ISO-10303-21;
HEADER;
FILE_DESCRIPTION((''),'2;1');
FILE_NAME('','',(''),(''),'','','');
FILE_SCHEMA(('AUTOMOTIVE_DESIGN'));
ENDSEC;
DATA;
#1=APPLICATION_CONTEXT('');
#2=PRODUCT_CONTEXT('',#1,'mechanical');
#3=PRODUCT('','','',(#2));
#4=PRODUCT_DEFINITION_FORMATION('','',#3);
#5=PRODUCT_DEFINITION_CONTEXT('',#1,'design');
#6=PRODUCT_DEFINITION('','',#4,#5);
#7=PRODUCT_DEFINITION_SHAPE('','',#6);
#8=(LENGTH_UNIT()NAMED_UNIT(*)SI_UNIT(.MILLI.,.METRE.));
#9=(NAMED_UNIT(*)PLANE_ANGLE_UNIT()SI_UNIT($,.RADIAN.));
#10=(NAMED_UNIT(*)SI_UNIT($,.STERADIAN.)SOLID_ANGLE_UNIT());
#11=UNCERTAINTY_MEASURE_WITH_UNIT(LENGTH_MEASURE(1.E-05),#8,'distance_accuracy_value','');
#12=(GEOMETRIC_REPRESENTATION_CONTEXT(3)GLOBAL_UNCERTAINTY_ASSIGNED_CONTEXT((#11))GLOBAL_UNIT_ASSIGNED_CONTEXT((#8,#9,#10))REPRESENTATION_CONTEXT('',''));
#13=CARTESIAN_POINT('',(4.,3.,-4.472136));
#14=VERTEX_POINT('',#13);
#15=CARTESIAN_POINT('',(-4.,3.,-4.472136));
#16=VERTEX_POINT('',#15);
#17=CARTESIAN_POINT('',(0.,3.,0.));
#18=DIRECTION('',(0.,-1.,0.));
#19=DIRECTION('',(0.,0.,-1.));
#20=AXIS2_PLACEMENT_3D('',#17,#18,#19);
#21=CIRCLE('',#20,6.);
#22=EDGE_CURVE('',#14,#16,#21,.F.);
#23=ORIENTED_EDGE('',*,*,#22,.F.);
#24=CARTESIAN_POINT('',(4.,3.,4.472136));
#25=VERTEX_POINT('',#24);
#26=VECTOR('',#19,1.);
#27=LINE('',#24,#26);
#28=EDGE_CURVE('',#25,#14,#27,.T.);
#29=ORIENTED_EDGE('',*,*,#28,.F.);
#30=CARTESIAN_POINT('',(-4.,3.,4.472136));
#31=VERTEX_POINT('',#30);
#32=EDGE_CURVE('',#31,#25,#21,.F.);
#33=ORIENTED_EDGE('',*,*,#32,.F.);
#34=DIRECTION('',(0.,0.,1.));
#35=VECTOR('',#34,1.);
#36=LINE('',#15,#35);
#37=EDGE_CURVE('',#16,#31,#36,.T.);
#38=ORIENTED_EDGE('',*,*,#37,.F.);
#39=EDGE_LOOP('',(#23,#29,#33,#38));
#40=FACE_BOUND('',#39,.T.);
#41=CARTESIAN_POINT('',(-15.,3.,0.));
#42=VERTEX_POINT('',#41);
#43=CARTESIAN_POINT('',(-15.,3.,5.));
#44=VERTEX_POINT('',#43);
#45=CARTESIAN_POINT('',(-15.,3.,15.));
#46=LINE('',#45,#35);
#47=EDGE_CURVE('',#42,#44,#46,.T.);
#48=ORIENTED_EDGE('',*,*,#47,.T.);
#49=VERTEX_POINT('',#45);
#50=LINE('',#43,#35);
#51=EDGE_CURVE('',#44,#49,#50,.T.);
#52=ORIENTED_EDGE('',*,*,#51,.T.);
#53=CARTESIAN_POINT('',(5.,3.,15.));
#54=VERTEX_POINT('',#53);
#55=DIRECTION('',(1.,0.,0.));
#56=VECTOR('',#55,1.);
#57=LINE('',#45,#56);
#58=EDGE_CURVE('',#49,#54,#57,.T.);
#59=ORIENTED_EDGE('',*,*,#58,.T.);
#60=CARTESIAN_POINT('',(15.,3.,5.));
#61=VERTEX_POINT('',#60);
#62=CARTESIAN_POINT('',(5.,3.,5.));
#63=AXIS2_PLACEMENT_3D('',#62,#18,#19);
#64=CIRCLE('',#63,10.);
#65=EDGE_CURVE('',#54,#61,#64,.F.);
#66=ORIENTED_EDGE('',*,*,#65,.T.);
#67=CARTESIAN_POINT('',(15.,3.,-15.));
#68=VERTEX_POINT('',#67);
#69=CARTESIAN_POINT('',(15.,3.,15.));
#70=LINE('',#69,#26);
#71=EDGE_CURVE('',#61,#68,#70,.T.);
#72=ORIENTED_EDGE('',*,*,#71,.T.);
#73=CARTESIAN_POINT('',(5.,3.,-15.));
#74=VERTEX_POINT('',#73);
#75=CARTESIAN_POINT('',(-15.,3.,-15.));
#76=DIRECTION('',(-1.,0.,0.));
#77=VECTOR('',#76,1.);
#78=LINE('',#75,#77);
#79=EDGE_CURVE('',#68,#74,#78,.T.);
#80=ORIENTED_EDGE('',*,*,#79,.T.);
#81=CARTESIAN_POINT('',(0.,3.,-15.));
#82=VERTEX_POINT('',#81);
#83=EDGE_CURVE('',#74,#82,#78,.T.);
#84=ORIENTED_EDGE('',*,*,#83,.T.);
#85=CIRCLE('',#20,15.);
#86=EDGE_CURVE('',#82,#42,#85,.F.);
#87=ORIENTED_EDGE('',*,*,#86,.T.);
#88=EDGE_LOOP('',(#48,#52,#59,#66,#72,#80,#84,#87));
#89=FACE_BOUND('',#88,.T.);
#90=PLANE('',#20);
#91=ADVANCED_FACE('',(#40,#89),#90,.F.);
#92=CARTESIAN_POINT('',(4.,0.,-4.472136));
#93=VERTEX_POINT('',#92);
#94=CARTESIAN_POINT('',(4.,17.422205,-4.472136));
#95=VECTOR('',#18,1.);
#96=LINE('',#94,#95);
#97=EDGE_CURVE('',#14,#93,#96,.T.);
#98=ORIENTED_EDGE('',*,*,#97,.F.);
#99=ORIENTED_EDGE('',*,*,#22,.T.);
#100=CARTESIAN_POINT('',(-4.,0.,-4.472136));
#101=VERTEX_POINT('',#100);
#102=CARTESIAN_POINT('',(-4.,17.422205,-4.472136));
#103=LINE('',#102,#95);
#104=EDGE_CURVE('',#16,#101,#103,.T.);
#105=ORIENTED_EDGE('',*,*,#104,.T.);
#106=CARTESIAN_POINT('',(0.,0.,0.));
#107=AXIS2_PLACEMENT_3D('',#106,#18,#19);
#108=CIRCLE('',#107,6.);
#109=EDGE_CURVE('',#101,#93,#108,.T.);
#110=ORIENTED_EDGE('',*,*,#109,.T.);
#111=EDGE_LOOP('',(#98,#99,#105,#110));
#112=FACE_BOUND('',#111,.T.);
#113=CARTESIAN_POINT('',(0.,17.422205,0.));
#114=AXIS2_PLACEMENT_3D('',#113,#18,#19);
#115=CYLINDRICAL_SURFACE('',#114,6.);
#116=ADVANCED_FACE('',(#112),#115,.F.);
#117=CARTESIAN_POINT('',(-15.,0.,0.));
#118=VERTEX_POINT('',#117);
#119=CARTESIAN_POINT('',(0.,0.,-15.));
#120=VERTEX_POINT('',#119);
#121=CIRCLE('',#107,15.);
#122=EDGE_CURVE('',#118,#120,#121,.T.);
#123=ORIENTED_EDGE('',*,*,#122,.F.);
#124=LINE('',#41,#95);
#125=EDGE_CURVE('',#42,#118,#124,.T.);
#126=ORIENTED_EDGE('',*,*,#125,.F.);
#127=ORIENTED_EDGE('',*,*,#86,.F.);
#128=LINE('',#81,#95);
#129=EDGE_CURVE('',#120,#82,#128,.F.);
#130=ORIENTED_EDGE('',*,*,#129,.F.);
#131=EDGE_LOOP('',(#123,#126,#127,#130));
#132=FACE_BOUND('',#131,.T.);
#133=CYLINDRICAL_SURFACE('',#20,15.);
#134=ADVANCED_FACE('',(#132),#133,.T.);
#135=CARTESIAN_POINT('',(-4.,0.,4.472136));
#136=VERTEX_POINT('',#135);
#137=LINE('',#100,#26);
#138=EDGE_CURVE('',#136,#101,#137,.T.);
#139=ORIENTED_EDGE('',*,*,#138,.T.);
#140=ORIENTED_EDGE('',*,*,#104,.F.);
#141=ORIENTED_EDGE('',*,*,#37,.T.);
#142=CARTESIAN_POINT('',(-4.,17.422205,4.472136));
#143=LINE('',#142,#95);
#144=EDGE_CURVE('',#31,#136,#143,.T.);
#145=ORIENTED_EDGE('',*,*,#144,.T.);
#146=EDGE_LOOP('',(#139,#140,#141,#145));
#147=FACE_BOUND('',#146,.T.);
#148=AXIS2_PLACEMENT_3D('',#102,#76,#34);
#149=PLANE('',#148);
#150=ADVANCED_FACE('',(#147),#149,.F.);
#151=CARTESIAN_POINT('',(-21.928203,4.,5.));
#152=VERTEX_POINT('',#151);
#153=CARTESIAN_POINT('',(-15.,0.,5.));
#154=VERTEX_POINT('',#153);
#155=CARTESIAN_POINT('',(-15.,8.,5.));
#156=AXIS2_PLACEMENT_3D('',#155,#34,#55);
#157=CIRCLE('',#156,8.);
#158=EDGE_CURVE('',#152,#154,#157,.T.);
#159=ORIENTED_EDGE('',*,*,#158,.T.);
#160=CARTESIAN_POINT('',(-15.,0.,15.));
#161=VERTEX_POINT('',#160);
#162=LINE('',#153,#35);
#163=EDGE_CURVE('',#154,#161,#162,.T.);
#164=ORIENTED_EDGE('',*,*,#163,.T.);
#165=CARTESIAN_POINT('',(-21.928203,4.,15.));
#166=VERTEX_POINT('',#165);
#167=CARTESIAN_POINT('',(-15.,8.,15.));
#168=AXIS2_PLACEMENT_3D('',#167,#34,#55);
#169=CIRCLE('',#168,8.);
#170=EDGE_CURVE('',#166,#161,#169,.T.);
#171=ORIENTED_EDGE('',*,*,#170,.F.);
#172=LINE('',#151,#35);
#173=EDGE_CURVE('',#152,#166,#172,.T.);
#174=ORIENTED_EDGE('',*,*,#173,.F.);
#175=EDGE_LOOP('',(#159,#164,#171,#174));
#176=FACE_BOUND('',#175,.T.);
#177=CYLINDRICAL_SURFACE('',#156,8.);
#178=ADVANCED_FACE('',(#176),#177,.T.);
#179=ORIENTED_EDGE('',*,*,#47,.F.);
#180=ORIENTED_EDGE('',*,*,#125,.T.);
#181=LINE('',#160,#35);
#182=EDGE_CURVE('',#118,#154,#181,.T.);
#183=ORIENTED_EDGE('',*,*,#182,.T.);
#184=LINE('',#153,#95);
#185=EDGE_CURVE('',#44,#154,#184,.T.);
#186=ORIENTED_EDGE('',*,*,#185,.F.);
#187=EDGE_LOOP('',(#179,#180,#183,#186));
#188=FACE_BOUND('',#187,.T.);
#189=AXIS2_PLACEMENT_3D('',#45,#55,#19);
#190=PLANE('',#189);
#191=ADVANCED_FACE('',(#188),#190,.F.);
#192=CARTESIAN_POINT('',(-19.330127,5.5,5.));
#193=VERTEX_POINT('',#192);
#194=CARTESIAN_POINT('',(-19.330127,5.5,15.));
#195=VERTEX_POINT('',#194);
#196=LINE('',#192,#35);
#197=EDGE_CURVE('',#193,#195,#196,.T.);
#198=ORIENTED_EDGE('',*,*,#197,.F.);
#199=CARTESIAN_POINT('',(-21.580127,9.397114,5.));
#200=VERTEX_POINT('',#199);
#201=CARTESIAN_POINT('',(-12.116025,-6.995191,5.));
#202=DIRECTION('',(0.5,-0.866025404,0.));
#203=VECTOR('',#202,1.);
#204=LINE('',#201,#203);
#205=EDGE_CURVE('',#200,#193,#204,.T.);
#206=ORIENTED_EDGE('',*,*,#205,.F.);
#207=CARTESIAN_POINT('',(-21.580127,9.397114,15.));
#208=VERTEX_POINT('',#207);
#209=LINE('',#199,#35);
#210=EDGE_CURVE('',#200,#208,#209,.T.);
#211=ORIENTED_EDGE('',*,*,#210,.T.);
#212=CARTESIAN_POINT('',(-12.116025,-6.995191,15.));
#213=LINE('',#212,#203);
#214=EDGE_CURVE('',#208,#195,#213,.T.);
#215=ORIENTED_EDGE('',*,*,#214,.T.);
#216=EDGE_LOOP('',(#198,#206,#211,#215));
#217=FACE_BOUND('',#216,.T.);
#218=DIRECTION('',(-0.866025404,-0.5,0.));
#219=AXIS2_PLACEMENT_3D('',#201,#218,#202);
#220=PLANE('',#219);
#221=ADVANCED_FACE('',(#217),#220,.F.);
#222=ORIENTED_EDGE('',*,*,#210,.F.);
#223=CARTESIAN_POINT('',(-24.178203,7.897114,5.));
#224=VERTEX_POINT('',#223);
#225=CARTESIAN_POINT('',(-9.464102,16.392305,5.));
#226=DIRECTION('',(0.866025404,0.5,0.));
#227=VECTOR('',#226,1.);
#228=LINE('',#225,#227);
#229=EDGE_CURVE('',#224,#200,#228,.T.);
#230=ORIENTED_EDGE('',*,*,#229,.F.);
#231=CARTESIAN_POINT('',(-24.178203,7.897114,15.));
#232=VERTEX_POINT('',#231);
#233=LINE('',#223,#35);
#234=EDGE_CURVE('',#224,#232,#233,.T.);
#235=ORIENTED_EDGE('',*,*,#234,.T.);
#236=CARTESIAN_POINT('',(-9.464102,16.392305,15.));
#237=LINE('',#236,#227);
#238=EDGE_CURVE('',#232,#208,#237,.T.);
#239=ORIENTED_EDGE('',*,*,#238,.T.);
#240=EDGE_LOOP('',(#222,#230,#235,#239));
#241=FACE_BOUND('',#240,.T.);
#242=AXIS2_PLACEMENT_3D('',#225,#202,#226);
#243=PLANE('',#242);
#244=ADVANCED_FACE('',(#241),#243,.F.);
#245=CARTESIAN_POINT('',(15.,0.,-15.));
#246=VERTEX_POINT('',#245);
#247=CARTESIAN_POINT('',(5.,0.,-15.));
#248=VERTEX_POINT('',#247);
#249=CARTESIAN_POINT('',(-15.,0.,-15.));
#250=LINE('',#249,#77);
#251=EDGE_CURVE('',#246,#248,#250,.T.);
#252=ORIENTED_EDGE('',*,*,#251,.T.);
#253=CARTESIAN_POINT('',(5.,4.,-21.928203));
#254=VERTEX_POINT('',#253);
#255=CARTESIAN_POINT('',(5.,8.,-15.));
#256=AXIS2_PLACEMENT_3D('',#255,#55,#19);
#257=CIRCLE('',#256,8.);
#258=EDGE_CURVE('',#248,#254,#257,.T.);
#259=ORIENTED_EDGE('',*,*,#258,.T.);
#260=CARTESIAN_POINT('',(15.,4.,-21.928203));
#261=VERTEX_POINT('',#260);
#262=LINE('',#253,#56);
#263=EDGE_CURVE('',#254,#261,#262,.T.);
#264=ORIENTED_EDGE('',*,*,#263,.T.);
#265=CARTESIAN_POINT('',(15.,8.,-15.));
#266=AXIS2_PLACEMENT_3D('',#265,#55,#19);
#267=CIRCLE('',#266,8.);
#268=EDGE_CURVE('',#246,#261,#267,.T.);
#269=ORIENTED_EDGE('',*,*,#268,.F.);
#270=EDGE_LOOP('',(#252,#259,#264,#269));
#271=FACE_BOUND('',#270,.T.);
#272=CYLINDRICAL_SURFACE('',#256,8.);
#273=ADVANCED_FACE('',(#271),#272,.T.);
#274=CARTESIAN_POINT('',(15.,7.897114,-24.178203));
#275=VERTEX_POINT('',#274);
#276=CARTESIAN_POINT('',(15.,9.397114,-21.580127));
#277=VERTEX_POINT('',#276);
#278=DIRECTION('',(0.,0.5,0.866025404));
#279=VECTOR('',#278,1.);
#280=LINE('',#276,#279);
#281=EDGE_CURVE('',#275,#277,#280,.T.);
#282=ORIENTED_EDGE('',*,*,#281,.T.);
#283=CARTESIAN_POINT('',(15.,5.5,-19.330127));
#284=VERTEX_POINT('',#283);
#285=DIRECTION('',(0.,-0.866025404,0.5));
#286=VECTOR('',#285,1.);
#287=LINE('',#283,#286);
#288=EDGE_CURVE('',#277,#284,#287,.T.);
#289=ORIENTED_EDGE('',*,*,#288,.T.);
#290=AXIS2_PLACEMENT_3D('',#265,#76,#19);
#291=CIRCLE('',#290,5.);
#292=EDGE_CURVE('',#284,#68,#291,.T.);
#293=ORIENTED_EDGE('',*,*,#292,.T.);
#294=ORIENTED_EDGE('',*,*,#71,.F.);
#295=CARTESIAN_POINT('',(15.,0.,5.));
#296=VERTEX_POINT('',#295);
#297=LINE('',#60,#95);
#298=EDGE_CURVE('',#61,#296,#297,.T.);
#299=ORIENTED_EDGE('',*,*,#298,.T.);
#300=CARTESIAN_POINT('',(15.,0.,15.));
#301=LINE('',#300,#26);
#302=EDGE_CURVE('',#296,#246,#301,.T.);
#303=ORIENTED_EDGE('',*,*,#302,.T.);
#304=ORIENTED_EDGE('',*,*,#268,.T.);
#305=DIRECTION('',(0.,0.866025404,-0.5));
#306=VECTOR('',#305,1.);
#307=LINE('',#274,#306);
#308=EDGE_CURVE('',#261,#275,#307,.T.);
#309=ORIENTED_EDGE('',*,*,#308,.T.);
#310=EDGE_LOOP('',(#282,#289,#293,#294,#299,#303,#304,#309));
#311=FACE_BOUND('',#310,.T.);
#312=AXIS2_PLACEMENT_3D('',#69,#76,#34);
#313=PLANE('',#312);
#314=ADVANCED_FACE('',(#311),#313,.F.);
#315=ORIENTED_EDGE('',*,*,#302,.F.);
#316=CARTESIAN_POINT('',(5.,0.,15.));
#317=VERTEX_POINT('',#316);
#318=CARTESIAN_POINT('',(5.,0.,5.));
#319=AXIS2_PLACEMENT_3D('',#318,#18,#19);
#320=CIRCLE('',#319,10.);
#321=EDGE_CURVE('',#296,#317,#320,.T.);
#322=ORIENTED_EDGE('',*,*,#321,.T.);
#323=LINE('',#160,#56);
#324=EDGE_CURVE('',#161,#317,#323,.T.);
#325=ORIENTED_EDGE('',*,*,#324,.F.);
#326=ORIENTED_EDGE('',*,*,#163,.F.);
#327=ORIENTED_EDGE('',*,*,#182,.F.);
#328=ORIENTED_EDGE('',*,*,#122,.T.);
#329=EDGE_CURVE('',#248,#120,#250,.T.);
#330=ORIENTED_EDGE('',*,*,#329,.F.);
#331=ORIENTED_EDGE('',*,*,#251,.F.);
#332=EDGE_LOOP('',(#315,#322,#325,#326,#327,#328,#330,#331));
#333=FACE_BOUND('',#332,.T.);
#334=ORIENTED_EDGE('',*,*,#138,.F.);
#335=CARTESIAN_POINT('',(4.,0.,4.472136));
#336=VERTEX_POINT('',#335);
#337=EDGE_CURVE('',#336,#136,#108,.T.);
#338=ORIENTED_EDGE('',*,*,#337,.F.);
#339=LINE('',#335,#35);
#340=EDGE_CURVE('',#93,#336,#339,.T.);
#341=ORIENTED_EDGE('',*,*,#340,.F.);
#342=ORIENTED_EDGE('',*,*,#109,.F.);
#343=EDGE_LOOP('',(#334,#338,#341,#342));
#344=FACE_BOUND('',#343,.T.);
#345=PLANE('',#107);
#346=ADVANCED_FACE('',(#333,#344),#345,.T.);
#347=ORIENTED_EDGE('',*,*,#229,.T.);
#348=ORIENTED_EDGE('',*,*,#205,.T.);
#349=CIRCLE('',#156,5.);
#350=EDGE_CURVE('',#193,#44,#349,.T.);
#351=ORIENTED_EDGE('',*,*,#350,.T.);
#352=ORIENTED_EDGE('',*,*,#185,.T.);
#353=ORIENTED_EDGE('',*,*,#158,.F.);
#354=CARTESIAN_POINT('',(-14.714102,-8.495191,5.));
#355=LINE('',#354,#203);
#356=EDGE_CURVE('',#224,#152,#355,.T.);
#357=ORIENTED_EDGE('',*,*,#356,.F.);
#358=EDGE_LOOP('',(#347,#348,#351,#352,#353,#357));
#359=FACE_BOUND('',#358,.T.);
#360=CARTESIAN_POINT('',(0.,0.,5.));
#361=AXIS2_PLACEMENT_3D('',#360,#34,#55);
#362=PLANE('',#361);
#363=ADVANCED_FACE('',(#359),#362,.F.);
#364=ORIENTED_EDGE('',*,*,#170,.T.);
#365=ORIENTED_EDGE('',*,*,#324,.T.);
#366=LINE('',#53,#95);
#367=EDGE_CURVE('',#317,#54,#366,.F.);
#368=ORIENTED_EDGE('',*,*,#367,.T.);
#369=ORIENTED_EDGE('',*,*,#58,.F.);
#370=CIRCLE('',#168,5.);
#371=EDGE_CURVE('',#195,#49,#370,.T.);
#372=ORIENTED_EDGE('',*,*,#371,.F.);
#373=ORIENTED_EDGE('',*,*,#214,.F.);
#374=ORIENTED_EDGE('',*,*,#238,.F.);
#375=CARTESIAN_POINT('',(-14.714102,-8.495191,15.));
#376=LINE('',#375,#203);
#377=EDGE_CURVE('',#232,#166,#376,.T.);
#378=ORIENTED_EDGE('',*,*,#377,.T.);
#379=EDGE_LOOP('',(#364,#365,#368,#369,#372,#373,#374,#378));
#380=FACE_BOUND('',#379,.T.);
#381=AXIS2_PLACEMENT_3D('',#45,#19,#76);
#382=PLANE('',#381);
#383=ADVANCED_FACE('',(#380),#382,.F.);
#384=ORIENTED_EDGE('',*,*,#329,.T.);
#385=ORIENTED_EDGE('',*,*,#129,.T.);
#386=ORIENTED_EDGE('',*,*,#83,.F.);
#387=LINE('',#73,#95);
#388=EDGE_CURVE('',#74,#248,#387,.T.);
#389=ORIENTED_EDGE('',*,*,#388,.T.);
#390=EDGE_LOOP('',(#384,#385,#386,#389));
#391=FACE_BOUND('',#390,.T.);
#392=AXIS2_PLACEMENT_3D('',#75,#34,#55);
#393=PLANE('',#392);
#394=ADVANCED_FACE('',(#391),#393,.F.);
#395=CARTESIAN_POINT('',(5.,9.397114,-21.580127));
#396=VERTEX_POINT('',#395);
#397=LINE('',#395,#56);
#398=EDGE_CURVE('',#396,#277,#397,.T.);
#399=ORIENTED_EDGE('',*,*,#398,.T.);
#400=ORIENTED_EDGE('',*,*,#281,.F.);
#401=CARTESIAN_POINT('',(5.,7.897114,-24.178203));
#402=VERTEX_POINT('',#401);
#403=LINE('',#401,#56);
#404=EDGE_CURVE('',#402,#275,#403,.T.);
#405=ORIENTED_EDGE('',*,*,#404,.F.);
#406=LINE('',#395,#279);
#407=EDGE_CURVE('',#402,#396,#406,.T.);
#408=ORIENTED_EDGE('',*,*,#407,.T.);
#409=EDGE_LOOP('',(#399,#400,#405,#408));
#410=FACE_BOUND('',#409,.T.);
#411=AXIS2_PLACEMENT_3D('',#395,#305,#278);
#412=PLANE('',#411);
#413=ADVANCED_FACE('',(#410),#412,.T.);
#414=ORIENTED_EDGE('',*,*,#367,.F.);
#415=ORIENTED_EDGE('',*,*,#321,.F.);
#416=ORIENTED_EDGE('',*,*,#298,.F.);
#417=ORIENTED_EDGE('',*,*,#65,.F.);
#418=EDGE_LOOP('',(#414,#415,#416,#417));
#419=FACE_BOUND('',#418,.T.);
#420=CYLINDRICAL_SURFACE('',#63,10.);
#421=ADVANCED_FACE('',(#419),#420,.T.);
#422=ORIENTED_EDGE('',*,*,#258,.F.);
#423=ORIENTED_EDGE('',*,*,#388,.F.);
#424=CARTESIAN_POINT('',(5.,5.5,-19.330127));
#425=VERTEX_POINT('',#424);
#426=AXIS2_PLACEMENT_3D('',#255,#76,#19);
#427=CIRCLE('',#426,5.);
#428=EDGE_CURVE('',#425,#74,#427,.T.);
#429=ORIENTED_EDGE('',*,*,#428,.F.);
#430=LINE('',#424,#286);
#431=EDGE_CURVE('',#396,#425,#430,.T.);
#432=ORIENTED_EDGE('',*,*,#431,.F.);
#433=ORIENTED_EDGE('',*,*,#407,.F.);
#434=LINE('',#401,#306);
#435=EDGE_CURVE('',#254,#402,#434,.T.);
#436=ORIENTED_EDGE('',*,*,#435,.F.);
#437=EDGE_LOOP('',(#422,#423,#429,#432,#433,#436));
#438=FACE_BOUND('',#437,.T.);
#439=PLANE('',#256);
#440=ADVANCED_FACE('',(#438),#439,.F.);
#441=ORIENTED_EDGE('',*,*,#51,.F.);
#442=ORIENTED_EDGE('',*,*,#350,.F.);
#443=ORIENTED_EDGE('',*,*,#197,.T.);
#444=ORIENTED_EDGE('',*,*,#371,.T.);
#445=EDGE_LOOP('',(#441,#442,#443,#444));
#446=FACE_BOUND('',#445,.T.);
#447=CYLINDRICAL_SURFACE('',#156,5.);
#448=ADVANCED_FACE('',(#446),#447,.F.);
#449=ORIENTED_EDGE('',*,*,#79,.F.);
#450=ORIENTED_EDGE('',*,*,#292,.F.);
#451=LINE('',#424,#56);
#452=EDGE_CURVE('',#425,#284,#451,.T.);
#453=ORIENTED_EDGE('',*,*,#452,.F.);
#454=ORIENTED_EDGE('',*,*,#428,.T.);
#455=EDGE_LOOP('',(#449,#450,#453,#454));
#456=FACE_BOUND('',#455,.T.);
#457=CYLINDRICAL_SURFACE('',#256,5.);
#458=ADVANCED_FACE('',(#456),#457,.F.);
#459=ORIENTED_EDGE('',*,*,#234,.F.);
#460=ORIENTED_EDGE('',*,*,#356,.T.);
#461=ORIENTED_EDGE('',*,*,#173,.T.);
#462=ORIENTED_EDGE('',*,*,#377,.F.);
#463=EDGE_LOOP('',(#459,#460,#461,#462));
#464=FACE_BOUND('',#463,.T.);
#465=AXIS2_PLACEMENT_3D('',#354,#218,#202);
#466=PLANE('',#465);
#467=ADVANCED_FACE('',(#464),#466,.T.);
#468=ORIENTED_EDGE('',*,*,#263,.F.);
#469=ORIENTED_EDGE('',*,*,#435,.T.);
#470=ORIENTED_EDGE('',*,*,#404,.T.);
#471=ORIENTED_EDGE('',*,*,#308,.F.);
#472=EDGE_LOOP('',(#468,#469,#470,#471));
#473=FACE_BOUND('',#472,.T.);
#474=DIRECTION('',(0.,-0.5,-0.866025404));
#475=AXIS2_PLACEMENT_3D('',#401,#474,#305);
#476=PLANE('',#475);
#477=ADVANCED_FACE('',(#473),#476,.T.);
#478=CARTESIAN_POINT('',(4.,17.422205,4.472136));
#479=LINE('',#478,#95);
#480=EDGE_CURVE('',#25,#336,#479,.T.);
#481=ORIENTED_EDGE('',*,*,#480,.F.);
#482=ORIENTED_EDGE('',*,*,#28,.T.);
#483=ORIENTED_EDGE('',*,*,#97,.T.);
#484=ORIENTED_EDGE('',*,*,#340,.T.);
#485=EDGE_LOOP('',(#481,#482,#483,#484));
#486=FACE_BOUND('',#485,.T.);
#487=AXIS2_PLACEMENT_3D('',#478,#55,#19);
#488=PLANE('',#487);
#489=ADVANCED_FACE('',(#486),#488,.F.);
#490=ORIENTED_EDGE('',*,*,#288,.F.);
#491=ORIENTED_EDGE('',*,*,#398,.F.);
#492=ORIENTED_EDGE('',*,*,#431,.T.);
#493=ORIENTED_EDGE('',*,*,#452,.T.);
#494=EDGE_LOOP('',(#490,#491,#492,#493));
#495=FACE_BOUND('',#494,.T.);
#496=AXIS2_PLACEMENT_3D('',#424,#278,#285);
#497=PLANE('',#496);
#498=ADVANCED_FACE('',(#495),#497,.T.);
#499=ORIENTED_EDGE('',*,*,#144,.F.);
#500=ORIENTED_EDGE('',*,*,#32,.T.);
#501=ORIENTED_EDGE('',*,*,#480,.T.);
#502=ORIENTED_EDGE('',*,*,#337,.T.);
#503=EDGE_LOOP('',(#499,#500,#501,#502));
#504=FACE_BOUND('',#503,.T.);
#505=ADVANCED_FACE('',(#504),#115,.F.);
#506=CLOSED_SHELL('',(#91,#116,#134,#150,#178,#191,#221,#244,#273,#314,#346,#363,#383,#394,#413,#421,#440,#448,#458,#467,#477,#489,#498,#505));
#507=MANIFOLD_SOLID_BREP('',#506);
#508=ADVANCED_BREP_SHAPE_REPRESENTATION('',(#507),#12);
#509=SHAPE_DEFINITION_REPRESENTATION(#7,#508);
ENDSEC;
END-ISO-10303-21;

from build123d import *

# Parameters (mm, degrees)
SKETCH1_W           = 30
SKETCH1_H           = 30
BOSS_EXTRUDE1_DEPTH = 3
BOSS_EXTRUDE2_DEPTH = 10
FILLET1_R           = 15
FILLET2_R           = 10
BOSS_EXTRUDE3_DEPTH = 10
CUT_EXTRUDE1_DEPTH  = 3


with BuildPart() as part:
    # Sketch1 → Boss-Extrude1 (new body)
    with BuildSketch(Plane(origin=(0, 0, 0), x_dir=(1, 0, 0), z_dir=(0, 1, 0))):
        Rectangle(SKETCH1_W, SKETCH1_H)
    extrude(amount=BOSS_EXTRUDE1_DEPTH)

    # Sketch2 → Boss-Extrude2 (add)
    with BuildSketch(Plane.XY.offset(15)):
        with BuildLine():
            Line((-21.580127019, 9.397114317), (-24.17820323, 7.897114317))
            Line((-24.17820323, 7.897114317), (-21.92820323, 4))
            ThreePointArc((-21.92820323, 4), (-19, 1.07179677), (-15, 0))
            Line((-15, 0), (-15, 3))
            ThreePointArc((-15, 3), (-17.5, 3.669872981), (-19.330127019, 5.5))
            Line((-19.330127019, 5.5), (-21.580127019, 9.397114317))
        make_face()
    extrude(amount=-BOSS_EXTRUDE2_DEPTH)

    # Fillet1
    fillet1_edges = [part.edges().sort_by_distance(p)[0] for p in [
        (-15, 1.5, -15),
    ]]
    fillet(fillet1_edges, radius=FILLET1_R)

    # Fillet2
    fillet2_edges = [part.edges().sort_by_distance(p)[0] for p in [
        (15, 1.5, 15),
    ]]
    fillet(fillet2_edges, radius=FILLET2_R)

    # Sketch3 → Boss-Extrude3 (add)
    with BuildSketch(Plane(origin=(15, 0, 0), x_dir=(0, 0, -1), z_dir=(1, 0, 0))):
        with BuildLine():
            Line((15, 3), (15, 0))
            ThreePointArc((15, 0), (19, 1.07179677), (21.92820323, 4))
            Line((21.92820323, 4), (24.17820323, 7.897114317))
            Line((24.17820323, 7.897114317), (21.580127019, 9.397114317))
            Line((21.580127019, 9.397114317), (19.330127019, 5.5))
            ThreePointArc((19.330127019, 5.5), (17.5, 3.669872981), (15, 3))
        make_face()
    extrude(amount=-BOSS_EXTRUDE3_DEPTH)

    # Sketch4 → Cut-Extrude1 (cut)
    with BuildSketch(Plane.XZ):
        with BuildLine():
            Line((-4, -4.472135955), (-4, 4.472135955))
            ThreePointArc((-4, 4.472135955), (0, 6), (4, 4.472135955))
            Line((4, 4.472135955), (4, -4.472135955))
            ThreePointArc((4, -4.472135955), (0, -6), (-4, -4.472135955))
        make_face()
    extrude(amount=-CUT_EXTRUDE1_DEPTH, mode=Mode.SUBTRACT)


solid = part.part
